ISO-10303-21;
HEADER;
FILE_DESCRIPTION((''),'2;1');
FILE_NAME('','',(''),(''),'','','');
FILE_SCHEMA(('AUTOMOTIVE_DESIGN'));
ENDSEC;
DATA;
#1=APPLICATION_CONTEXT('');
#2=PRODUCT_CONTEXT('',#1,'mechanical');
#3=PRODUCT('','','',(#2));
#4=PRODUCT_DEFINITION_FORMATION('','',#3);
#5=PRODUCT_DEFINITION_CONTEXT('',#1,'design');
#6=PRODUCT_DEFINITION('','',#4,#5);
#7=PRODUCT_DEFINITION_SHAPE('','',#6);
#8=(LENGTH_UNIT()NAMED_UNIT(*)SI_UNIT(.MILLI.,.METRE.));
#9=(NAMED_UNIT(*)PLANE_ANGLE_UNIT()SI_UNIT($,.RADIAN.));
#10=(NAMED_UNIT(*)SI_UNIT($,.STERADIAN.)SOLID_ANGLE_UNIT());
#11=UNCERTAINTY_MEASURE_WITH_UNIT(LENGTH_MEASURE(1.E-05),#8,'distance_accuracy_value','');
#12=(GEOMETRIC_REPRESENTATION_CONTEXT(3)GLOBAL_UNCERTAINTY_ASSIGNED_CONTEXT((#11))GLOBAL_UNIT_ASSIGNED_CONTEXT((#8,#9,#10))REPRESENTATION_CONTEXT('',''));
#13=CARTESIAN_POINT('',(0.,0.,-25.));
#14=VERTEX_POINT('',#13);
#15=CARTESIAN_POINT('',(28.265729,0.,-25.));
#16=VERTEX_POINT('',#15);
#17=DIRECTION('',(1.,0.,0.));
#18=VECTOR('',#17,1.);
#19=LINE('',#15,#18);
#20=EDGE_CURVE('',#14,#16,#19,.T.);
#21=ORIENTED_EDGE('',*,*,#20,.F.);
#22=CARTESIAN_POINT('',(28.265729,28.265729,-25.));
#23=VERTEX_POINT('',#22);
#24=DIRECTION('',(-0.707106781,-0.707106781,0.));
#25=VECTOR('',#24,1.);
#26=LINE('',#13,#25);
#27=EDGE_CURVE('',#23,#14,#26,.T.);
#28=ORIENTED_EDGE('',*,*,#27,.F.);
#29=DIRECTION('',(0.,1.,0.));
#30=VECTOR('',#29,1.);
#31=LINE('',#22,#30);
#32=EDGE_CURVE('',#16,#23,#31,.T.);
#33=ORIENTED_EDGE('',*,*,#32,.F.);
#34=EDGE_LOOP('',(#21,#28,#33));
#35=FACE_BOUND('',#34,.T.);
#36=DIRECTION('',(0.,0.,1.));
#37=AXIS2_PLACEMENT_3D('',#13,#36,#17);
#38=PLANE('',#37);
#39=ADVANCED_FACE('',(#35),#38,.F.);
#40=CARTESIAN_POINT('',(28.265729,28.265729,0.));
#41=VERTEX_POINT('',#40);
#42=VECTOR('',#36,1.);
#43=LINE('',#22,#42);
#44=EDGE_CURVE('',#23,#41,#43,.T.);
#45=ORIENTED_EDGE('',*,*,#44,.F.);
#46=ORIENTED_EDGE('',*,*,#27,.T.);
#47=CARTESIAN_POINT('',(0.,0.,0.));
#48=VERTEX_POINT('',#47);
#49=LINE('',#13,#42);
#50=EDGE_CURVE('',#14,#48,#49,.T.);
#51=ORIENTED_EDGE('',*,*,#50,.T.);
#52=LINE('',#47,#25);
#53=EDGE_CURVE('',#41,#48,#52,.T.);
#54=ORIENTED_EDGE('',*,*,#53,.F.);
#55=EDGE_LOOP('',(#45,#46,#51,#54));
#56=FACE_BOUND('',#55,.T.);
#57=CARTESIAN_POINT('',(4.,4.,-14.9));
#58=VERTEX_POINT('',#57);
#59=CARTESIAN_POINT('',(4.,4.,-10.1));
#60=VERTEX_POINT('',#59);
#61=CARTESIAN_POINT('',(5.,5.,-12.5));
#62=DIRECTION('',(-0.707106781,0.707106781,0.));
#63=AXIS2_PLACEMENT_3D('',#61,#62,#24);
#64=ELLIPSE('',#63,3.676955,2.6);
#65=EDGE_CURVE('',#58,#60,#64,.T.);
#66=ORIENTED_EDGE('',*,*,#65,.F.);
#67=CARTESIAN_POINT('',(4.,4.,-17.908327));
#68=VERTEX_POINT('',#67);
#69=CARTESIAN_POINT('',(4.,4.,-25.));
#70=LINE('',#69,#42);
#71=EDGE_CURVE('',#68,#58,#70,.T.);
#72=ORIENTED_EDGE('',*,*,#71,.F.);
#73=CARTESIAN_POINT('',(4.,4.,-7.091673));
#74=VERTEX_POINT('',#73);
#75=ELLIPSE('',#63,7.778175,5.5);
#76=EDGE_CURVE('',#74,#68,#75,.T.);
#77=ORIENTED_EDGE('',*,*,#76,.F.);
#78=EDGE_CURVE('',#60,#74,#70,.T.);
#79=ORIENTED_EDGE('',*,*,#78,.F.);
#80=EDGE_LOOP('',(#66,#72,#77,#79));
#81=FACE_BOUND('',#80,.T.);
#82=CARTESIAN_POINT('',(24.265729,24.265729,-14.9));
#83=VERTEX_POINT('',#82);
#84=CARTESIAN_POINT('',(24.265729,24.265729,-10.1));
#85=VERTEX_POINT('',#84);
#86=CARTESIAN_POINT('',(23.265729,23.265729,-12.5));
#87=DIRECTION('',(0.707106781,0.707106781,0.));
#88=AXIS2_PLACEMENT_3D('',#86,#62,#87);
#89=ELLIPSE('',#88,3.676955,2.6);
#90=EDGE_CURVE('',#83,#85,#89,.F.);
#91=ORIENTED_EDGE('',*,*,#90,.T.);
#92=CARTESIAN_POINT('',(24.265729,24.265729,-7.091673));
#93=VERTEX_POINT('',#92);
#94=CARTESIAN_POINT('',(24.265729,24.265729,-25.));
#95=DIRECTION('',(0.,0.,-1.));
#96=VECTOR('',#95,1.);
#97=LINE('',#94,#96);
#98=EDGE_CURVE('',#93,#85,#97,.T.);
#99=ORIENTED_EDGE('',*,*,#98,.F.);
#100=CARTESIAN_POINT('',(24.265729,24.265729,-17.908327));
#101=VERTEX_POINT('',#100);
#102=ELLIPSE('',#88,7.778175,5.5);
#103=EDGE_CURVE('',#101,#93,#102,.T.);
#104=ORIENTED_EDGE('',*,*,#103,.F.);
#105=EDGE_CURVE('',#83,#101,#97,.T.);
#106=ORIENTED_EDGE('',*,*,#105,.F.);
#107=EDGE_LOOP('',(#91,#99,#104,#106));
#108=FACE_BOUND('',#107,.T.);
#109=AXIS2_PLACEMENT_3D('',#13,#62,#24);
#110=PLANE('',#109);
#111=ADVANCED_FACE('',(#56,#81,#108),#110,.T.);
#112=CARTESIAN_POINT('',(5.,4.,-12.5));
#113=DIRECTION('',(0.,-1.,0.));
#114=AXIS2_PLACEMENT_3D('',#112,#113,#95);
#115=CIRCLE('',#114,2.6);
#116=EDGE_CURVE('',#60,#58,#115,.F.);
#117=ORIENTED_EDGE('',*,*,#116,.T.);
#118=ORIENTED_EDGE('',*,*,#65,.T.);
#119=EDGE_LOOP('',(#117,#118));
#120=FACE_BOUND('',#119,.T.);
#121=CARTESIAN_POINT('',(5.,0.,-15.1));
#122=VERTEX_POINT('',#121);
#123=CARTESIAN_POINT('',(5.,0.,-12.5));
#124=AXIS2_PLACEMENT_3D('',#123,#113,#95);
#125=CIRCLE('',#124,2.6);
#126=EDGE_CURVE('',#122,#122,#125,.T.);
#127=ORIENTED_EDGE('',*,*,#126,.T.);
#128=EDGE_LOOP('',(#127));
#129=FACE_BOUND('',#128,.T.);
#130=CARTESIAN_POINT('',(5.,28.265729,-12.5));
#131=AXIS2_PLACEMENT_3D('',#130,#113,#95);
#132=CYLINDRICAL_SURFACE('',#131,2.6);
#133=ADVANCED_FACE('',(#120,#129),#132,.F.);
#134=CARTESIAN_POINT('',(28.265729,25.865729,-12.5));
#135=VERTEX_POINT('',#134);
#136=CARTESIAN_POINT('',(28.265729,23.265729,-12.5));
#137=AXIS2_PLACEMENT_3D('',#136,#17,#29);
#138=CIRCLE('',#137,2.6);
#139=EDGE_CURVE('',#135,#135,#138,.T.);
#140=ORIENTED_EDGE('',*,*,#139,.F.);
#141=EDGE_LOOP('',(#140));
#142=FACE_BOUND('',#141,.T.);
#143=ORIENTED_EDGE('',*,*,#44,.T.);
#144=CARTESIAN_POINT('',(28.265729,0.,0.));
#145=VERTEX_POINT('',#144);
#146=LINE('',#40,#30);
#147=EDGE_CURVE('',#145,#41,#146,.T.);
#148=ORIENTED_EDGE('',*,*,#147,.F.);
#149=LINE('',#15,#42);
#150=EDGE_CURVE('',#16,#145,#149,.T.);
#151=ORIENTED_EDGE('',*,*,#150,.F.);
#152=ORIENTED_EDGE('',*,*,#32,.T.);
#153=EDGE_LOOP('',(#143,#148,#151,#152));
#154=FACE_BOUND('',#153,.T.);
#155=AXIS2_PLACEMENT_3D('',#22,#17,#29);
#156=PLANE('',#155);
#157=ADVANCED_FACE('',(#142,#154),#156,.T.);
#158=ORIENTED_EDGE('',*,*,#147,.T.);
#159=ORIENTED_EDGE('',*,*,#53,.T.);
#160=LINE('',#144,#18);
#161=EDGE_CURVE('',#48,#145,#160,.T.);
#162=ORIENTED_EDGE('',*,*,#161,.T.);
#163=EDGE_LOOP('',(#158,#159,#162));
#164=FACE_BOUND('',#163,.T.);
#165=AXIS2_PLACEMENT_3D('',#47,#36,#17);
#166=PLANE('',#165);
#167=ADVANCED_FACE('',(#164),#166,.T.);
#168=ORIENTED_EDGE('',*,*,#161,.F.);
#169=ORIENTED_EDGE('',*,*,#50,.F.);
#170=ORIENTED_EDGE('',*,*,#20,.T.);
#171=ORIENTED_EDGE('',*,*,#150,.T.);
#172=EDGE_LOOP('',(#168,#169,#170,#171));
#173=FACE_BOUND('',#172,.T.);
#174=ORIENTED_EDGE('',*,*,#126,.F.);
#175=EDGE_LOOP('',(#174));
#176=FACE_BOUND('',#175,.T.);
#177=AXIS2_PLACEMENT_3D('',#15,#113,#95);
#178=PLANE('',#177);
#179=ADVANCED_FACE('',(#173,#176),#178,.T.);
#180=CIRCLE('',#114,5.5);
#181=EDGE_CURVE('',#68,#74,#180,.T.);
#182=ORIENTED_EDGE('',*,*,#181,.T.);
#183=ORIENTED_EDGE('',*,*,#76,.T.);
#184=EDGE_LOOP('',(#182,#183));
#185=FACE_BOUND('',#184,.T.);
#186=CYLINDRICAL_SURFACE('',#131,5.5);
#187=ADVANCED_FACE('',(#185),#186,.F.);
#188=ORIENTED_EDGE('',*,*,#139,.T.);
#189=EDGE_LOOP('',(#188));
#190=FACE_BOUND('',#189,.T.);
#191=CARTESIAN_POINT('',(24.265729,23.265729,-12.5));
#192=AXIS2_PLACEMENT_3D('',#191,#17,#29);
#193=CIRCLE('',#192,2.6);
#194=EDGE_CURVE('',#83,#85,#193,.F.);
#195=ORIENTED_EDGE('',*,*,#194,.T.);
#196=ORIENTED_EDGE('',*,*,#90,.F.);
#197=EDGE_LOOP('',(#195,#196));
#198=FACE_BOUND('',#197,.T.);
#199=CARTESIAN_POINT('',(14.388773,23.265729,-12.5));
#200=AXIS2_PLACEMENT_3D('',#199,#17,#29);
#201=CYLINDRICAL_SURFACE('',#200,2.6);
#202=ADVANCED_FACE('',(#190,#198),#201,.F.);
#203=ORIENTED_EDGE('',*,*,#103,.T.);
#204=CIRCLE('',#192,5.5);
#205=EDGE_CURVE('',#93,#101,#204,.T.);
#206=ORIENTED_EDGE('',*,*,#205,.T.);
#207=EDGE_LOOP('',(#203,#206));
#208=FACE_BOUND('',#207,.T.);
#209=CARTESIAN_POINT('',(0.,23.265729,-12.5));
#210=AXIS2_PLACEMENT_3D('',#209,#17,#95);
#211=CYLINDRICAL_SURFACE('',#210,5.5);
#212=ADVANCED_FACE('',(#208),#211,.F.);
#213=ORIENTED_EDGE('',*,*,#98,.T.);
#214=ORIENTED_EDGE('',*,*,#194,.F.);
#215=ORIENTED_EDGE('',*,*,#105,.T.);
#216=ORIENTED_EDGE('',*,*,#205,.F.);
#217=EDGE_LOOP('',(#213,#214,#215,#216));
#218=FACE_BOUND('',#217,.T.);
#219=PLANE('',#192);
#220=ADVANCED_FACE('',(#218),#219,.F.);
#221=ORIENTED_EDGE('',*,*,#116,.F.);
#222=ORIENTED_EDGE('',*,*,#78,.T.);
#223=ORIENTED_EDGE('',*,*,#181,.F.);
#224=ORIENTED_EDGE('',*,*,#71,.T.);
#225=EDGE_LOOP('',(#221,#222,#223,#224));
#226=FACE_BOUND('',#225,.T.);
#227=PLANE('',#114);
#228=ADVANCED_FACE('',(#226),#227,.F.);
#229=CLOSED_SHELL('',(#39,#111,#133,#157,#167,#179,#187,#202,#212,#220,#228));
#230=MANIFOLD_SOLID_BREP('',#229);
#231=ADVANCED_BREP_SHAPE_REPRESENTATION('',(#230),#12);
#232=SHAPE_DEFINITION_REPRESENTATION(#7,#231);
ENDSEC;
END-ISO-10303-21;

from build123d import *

# Parameters (mm, degrees)
BOSS_EXTRUDE1_DEPTH            = 25
SKETCH2_R                      = 2.6
CUT_EXTRUDE1_DEPTH             = 29.265728709
CUT_EXTRUDE2_REACH             = 30.266
SKETCH3_R                      = 2.6
CUT_EXTRUDE2_DIRECTION_2_DEPTH = 1
CUT_EXTRUDE3_START             = -4
SKETCH5_R                      = 5.5
CUT_EXTRUDE3_DEPTH             = 25.265728709
CUT_EXTRUDE4_START             = -4
SKETCH7_R                      = 5.5
CUT_EXTRUDE4_DEPTH             = 25.265728709


with BuildPart() as part:
    # Sketch1 → Boss-Extrude1 (new body)
    with BuildSketch(Plane.XY):
        Polygon((0, 0), (28.265728709, 28.265728709), (28.265728709, 0), align=None)
    extrude(amount=-BOSS_EXTRUDE1_DEPTH)

    # Sketch2 → Cut-Extrude1 (cut, through all)
    with BuildSketch(Plane.XZ):
        with Locations((5, -12.5)):
            Circle(SKETCH2_R)
    extrude(amount=-CUT_EXTRUDE1_DEPTH, mode=Mode.SUBTRACT)

    # Sketch3 → Cut-Extrude2 (cut, up to next)
    with BuildSketch(Plane(origin=(28.265728709, 0, 0), x_dir=(0, 0, -1), z_dir=(1, 0, 0)), mode=Mode.PRIVATE) as cut_extrude2_sk1:
        with Locations((12.5, 23.265728709)):
            Circle(SKETCH3_R)
    cut_extrude2_tool1 = extrude(cut_extrude2_sk1.sketch, amount=-CUT_EXTRUDE2_REACH, mode=Mode.PRIVATE) & part.part
    add(cut_extrude2_tool1.solids().sort_by_distance((28.265729, 23.265729, -12.5))[0], mode=Mode.SUBTRACT)

    # Sketch3 → Cut-Extrude2 direction 2 (cut)
    with BuildSketch(Plane(origin=(28.265728709, 0, 0), x_dir=(0, 0, -1), z_dir=(1, 0, 0))):
        with Locations((12.5, 23.265728709)):
            Circle(SKETCH3_R)
    extrude(amount=CUT_EXTRUDE2_DIRECTION_2_DEPTH, mode=Mode.SUBTRACT)

    # Sketch5 → Cut-Extrude3 (cut, through all)
    with BuildSketch(Plane(origin=(28.265728709, 0, 0), x_dir=(0, 0, -1), z_dir=(1, 0, 0)).offset(CUT_EXTRUDE3_START)):
        with Locations((12.5, 23.265728709)):
            Circle(SKETCH5_R)
    extrude(amount=-CUT_EXTRUDE3_DEPTH, mode=Mode.SUBTRACT)

    # Sketch7 → Cut-Extrude4 (cut, through all)
    with BuildSketch(Plane.XZ.offset(CUT_EXTRUDE4_START)):
        with Locations((5, -12.5)):
            Circle(SKETCH7_R)
    extrude(amount=-CUT_EXTRUDE4_DEPTH, mode=Mode.SUBTRACT)


solid = part.part
